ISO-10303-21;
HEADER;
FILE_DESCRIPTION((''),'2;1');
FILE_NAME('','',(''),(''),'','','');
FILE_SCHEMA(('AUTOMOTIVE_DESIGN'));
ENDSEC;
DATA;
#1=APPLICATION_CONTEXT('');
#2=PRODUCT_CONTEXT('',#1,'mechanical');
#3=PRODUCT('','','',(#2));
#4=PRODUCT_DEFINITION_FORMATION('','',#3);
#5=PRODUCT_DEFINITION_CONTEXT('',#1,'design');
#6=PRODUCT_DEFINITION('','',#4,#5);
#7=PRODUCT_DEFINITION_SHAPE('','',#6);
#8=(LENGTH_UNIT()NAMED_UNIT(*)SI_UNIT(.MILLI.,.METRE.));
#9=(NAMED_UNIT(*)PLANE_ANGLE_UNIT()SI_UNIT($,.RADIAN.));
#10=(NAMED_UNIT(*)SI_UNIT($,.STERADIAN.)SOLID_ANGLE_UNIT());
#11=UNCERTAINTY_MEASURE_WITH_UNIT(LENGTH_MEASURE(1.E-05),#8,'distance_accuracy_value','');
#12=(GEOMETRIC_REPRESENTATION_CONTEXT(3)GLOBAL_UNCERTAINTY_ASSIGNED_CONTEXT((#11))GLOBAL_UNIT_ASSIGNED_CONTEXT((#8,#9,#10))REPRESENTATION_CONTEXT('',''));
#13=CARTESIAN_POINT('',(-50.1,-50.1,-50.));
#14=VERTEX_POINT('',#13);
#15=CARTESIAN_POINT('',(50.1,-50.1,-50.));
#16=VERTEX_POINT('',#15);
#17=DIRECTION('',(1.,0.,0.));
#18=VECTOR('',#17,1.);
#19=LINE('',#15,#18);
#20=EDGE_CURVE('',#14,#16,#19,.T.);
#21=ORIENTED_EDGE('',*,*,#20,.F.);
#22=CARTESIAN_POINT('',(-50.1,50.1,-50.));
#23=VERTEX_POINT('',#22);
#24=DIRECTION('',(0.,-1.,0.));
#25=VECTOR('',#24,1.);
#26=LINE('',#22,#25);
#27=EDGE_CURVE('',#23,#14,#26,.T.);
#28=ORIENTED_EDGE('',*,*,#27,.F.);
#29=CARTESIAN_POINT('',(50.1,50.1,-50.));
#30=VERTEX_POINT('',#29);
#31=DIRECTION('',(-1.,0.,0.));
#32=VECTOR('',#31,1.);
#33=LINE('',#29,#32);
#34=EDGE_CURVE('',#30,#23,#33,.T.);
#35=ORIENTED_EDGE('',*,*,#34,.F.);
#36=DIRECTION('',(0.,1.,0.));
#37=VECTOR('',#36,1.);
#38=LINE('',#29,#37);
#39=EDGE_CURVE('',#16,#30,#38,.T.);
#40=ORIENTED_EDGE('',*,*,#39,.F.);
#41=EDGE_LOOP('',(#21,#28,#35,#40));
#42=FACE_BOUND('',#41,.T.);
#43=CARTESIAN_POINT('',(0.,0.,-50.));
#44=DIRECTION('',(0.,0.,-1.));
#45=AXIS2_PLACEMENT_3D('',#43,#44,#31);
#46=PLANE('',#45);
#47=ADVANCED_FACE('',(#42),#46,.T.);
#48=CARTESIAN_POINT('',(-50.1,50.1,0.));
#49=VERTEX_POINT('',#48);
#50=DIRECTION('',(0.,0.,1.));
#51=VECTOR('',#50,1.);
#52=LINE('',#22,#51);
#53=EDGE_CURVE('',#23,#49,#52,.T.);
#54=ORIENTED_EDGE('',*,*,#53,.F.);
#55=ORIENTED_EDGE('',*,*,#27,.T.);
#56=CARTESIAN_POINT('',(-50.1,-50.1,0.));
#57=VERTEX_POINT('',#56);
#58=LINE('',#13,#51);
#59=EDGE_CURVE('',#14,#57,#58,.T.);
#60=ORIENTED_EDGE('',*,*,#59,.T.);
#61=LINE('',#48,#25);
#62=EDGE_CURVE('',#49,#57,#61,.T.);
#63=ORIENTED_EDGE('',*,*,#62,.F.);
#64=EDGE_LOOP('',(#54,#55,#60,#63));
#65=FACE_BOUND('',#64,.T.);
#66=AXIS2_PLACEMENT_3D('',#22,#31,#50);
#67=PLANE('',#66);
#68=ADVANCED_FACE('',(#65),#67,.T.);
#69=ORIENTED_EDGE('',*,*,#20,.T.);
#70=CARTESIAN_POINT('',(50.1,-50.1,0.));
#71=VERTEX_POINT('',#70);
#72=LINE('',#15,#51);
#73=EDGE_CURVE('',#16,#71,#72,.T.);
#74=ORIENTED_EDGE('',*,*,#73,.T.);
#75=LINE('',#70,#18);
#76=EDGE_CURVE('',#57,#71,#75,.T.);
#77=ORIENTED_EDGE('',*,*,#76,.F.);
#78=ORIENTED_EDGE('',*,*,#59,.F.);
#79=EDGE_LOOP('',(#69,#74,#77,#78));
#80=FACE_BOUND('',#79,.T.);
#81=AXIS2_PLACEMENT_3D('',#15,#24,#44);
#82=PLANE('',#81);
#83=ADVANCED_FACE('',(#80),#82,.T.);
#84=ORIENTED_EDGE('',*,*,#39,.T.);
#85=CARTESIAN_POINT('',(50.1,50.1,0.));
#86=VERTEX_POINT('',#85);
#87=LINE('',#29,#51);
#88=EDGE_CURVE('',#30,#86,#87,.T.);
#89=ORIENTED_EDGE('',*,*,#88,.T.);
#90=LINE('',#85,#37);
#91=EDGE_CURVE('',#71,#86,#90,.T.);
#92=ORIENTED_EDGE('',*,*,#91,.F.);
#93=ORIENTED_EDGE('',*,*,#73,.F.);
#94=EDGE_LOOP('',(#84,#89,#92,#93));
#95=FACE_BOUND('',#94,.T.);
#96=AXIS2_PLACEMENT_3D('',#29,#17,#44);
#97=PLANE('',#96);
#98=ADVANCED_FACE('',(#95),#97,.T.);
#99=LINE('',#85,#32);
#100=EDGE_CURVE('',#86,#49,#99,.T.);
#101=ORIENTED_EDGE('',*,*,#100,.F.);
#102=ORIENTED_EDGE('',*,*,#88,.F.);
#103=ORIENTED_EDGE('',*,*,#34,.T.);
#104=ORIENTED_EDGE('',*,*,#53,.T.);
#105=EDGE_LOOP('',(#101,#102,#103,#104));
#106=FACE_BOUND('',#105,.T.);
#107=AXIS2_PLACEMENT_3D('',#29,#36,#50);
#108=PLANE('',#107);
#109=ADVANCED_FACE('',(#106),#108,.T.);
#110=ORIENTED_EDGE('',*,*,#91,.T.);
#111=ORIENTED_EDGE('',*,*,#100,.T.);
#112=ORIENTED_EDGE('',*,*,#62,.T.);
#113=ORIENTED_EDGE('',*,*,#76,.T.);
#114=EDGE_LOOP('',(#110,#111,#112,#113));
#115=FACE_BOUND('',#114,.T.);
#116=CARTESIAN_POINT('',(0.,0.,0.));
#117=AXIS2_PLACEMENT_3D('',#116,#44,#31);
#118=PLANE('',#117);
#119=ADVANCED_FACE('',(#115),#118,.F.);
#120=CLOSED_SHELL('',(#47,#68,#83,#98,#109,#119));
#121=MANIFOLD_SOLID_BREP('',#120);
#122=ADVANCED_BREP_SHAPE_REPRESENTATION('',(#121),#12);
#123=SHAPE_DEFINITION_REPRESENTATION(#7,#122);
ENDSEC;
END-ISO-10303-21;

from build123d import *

# Parameters (mm, degrees)
SKETCH1_W           = 100.2
SKETCH1_H           = 100.2
BOSS_EXTRUDE1_DEPTH = 50


with BuildPart() as part:
    # Sketch1 → Boss-Extrude1 (new body)
    with BuildSketch(Plane.XY):
        Rectangle(SKETCH1_W, SKETCH1_H)
    extrude(amount=-BOSS_EXTRUDE1_DEPTH)


solid = part.part
